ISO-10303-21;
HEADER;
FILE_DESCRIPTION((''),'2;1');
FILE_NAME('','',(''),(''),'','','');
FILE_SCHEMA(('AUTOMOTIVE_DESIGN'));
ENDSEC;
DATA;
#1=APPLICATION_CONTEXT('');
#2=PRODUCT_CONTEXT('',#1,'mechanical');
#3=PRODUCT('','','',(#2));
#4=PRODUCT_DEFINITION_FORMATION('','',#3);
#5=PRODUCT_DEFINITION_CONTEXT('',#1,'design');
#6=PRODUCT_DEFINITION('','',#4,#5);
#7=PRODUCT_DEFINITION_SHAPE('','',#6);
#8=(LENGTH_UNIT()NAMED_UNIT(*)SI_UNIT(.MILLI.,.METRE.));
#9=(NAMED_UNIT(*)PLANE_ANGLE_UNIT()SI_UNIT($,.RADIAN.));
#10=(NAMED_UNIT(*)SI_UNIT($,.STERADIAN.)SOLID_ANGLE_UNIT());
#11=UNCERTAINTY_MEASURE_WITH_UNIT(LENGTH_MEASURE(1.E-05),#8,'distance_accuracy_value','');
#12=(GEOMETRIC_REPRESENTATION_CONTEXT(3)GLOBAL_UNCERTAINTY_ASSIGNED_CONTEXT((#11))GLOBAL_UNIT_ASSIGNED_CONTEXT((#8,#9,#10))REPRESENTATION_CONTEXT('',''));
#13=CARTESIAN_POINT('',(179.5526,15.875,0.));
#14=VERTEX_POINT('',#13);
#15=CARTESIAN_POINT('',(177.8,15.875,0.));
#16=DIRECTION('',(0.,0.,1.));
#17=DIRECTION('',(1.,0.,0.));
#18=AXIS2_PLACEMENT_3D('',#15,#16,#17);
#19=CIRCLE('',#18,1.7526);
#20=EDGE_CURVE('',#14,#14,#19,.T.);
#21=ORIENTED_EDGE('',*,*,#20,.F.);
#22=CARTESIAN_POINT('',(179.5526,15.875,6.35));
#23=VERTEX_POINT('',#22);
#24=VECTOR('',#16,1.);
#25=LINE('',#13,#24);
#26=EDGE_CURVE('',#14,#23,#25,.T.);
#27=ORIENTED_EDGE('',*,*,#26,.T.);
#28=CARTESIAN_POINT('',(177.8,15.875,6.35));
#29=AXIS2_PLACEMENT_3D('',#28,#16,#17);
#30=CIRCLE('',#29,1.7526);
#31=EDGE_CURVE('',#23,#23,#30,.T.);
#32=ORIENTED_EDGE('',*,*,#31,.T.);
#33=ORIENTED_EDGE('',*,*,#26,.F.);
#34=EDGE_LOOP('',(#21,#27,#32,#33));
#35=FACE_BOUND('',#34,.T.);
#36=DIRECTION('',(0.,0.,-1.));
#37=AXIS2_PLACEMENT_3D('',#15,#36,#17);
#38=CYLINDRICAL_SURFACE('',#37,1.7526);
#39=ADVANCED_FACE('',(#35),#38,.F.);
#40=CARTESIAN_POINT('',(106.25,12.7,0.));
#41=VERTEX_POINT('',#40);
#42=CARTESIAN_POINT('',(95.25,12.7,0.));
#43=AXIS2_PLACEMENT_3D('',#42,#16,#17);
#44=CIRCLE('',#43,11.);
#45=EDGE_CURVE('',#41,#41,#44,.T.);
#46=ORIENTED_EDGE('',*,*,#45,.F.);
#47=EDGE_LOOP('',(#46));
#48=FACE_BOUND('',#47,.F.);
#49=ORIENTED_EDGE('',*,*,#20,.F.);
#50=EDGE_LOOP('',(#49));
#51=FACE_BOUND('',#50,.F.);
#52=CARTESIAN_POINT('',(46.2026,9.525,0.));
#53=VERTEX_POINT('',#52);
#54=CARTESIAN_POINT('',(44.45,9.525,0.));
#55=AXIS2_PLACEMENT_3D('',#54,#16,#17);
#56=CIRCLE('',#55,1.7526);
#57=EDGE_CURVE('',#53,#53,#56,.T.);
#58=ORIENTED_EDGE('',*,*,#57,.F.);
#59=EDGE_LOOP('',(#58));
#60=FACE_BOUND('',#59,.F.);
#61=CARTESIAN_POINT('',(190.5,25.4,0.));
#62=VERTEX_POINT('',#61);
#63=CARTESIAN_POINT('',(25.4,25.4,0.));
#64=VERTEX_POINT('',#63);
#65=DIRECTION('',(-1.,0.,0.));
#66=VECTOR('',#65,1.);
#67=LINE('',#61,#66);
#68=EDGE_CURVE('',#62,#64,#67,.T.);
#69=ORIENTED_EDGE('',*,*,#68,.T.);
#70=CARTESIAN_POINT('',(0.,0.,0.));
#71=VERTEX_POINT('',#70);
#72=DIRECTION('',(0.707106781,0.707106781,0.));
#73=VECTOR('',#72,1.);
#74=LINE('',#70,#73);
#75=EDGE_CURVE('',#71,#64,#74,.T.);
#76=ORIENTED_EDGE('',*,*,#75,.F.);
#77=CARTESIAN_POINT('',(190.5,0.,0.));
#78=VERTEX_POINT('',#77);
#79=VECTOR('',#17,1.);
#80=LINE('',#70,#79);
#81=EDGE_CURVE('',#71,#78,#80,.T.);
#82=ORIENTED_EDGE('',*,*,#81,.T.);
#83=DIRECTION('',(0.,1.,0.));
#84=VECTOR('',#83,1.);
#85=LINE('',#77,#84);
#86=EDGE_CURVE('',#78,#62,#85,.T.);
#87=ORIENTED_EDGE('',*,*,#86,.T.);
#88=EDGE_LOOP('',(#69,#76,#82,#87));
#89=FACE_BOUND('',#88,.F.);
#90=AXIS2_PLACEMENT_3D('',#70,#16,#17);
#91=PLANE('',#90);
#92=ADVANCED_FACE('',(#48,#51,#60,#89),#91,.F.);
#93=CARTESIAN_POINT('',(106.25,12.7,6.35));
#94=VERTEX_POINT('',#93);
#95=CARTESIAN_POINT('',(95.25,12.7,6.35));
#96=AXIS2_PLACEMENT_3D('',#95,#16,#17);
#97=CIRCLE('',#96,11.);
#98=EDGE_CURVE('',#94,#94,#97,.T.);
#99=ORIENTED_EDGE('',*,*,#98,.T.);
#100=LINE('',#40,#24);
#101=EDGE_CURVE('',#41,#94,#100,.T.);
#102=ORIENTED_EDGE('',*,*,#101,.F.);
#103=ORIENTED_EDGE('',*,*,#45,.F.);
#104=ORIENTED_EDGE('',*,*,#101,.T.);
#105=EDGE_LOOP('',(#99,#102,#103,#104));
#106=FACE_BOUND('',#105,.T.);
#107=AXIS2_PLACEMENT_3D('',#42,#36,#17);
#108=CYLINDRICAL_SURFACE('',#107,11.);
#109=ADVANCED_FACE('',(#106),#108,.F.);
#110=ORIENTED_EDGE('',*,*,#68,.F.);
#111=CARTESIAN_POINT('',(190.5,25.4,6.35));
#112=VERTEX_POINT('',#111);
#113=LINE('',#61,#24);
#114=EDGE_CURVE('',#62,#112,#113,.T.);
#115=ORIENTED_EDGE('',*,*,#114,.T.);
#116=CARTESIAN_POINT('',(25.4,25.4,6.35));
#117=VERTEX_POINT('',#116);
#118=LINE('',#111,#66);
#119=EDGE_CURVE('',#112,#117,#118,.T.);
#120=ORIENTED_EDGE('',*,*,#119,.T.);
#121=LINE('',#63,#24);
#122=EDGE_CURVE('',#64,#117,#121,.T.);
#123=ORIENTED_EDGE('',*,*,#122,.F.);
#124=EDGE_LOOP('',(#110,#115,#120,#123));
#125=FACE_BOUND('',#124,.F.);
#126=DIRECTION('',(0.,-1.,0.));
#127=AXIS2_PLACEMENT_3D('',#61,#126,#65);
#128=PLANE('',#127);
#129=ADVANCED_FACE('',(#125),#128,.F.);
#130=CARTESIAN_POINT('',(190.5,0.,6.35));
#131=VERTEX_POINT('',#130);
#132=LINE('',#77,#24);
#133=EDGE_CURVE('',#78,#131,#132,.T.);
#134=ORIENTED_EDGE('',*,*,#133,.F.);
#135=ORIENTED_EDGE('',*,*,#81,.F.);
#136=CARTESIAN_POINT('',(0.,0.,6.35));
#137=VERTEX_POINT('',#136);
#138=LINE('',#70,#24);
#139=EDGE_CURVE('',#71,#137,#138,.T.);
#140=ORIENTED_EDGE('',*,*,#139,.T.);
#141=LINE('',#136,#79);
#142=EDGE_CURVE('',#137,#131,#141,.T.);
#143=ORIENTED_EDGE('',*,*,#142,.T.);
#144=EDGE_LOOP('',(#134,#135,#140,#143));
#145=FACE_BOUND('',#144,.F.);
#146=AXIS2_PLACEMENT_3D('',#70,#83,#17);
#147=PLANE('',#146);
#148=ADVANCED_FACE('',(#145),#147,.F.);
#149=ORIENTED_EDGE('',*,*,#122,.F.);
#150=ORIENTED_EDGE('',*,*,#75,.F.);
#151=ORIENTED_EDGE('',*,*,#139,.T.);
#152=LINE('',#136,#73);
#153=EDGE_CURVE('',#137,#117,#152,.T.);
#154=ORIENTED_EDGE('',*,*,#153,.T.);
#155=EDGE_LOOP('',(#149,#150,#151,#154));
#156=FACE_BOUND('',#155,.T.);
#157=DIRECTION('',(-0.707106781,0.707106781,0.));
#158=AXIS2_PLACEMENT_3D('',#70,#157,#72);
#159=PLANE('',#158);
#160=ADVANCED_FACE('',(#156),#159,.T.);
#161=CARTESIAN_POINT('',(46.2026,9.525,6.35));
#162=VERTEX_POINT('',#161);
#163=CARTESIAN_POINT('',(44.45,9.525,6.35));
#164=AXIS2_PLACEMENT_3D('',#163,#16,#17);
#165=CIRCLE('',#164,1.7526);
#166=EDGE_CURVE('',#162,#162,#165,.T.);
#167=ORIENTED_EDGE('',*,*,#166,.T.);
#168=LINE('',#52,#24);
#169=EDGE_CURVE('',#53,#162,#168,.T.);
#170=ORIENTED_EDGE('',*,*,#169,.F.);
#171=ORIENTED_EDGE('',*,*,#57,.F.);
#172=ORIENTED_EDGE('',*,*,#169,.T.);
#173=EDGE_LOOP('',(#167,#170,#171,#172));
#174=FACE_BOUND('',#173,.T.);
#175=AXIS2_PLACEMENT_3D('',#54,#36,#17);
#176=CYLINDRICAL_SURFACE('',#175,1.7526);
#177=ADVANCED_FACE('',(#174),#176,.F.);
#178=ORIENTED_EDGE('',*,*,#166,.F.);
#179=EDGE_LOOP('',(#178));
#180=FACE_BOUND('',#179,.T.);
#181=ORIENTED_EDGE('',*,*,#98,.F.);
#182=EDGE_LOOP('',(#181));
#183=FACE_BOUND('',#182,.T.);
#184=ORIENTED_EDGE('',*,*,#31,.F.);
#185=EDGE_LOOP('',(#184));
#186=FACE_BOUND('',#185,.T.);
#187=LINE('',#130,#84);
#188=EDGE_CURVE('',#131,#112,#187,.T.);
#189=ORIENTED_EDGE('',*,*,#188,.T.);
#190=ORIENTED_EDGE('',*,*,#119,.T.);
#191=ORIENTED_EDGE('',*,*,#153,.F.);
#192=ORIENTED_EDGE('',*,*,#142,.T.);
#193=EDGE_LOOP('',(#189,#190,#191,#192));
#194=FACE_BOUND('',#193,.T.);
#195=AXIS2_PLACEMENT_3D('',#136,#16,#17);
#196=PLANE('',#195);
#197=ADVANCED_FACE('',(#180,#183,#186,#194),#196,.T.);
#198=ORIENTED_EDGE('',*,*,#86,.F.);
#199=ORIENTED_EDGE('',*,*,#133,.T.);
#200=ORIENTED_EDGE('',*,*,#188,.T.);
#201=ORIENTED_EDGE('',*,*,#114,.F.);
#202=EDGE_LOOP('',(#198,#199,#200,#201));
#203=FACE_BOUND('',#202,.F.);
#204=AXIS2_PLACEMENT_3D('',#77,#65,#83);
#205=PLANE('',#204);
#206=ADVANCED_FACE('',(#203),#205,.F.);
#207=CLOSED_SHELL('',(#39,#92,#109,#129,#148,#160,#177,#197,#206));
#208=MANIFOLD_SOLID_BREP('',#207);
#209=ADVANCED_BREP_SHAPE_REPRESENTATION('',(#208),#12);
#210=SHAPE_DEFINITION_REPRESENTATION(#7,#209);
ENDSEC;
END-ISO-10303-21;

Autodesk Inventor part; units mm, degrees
ref_plane "YZ Plane" through (0, 0, 0) normal (1, 0, 0) x (0, 1, 0)
ref_plane "XZ Plane" through (0, 0, 0) normal (0, 1, 0) x (-1, 0, 0)
ref_plane "XY Plane" through (0, 0, 0) normal (0, 0, 1) x (1, 0, 0)
sketch "Sketch1" plane through (0, 0, 0) normal (0, 0, 1) x (1, 0, 0)
  line L0 (0, 0) -> (190.5, 0)
  line L1 (190.5, 0) -> (190.5, 25.4)
  line L2 (190.5, 25.4) -> (0, 25.4)
  line L3 (0, 25.4) -> (0, 0)
  line L4 (0, 12.7) -> (190.5, 12.7) construction
  circle A0 centre (95.25, 12.7) radius 11
  line L5 (0, 0) -> (25.4, 25.4)
  circle A1 centre (177.8, 15.875) radius 25.4 construction
  circle A2 centre (177.8, 15.875) radius 1.7526
  circle A3 centre (44.45, 9.525) radius 1.7526
  dimension "d0" = 190.5
  dimension "d1" = 25.4
  dimension "d6" = 22
  dimension "d7" = 95.25
  dimension "d8" = 45
  dimension "d9" = 50.8
  dimension "d10" = 3.5052
  dimension "d11" = 12.7
  dimension "d12" = 9.525
  dimension "d13" = 3.5052
  dimension "d14" = 9.525
  dimension "d15" = 44.45
extrude "Extrusion1" add sketch "Sketch1" along normal blind 6.35 contours L5 L2 L1 L0
properties part number "Side_Plate" material "UHMW, White"
